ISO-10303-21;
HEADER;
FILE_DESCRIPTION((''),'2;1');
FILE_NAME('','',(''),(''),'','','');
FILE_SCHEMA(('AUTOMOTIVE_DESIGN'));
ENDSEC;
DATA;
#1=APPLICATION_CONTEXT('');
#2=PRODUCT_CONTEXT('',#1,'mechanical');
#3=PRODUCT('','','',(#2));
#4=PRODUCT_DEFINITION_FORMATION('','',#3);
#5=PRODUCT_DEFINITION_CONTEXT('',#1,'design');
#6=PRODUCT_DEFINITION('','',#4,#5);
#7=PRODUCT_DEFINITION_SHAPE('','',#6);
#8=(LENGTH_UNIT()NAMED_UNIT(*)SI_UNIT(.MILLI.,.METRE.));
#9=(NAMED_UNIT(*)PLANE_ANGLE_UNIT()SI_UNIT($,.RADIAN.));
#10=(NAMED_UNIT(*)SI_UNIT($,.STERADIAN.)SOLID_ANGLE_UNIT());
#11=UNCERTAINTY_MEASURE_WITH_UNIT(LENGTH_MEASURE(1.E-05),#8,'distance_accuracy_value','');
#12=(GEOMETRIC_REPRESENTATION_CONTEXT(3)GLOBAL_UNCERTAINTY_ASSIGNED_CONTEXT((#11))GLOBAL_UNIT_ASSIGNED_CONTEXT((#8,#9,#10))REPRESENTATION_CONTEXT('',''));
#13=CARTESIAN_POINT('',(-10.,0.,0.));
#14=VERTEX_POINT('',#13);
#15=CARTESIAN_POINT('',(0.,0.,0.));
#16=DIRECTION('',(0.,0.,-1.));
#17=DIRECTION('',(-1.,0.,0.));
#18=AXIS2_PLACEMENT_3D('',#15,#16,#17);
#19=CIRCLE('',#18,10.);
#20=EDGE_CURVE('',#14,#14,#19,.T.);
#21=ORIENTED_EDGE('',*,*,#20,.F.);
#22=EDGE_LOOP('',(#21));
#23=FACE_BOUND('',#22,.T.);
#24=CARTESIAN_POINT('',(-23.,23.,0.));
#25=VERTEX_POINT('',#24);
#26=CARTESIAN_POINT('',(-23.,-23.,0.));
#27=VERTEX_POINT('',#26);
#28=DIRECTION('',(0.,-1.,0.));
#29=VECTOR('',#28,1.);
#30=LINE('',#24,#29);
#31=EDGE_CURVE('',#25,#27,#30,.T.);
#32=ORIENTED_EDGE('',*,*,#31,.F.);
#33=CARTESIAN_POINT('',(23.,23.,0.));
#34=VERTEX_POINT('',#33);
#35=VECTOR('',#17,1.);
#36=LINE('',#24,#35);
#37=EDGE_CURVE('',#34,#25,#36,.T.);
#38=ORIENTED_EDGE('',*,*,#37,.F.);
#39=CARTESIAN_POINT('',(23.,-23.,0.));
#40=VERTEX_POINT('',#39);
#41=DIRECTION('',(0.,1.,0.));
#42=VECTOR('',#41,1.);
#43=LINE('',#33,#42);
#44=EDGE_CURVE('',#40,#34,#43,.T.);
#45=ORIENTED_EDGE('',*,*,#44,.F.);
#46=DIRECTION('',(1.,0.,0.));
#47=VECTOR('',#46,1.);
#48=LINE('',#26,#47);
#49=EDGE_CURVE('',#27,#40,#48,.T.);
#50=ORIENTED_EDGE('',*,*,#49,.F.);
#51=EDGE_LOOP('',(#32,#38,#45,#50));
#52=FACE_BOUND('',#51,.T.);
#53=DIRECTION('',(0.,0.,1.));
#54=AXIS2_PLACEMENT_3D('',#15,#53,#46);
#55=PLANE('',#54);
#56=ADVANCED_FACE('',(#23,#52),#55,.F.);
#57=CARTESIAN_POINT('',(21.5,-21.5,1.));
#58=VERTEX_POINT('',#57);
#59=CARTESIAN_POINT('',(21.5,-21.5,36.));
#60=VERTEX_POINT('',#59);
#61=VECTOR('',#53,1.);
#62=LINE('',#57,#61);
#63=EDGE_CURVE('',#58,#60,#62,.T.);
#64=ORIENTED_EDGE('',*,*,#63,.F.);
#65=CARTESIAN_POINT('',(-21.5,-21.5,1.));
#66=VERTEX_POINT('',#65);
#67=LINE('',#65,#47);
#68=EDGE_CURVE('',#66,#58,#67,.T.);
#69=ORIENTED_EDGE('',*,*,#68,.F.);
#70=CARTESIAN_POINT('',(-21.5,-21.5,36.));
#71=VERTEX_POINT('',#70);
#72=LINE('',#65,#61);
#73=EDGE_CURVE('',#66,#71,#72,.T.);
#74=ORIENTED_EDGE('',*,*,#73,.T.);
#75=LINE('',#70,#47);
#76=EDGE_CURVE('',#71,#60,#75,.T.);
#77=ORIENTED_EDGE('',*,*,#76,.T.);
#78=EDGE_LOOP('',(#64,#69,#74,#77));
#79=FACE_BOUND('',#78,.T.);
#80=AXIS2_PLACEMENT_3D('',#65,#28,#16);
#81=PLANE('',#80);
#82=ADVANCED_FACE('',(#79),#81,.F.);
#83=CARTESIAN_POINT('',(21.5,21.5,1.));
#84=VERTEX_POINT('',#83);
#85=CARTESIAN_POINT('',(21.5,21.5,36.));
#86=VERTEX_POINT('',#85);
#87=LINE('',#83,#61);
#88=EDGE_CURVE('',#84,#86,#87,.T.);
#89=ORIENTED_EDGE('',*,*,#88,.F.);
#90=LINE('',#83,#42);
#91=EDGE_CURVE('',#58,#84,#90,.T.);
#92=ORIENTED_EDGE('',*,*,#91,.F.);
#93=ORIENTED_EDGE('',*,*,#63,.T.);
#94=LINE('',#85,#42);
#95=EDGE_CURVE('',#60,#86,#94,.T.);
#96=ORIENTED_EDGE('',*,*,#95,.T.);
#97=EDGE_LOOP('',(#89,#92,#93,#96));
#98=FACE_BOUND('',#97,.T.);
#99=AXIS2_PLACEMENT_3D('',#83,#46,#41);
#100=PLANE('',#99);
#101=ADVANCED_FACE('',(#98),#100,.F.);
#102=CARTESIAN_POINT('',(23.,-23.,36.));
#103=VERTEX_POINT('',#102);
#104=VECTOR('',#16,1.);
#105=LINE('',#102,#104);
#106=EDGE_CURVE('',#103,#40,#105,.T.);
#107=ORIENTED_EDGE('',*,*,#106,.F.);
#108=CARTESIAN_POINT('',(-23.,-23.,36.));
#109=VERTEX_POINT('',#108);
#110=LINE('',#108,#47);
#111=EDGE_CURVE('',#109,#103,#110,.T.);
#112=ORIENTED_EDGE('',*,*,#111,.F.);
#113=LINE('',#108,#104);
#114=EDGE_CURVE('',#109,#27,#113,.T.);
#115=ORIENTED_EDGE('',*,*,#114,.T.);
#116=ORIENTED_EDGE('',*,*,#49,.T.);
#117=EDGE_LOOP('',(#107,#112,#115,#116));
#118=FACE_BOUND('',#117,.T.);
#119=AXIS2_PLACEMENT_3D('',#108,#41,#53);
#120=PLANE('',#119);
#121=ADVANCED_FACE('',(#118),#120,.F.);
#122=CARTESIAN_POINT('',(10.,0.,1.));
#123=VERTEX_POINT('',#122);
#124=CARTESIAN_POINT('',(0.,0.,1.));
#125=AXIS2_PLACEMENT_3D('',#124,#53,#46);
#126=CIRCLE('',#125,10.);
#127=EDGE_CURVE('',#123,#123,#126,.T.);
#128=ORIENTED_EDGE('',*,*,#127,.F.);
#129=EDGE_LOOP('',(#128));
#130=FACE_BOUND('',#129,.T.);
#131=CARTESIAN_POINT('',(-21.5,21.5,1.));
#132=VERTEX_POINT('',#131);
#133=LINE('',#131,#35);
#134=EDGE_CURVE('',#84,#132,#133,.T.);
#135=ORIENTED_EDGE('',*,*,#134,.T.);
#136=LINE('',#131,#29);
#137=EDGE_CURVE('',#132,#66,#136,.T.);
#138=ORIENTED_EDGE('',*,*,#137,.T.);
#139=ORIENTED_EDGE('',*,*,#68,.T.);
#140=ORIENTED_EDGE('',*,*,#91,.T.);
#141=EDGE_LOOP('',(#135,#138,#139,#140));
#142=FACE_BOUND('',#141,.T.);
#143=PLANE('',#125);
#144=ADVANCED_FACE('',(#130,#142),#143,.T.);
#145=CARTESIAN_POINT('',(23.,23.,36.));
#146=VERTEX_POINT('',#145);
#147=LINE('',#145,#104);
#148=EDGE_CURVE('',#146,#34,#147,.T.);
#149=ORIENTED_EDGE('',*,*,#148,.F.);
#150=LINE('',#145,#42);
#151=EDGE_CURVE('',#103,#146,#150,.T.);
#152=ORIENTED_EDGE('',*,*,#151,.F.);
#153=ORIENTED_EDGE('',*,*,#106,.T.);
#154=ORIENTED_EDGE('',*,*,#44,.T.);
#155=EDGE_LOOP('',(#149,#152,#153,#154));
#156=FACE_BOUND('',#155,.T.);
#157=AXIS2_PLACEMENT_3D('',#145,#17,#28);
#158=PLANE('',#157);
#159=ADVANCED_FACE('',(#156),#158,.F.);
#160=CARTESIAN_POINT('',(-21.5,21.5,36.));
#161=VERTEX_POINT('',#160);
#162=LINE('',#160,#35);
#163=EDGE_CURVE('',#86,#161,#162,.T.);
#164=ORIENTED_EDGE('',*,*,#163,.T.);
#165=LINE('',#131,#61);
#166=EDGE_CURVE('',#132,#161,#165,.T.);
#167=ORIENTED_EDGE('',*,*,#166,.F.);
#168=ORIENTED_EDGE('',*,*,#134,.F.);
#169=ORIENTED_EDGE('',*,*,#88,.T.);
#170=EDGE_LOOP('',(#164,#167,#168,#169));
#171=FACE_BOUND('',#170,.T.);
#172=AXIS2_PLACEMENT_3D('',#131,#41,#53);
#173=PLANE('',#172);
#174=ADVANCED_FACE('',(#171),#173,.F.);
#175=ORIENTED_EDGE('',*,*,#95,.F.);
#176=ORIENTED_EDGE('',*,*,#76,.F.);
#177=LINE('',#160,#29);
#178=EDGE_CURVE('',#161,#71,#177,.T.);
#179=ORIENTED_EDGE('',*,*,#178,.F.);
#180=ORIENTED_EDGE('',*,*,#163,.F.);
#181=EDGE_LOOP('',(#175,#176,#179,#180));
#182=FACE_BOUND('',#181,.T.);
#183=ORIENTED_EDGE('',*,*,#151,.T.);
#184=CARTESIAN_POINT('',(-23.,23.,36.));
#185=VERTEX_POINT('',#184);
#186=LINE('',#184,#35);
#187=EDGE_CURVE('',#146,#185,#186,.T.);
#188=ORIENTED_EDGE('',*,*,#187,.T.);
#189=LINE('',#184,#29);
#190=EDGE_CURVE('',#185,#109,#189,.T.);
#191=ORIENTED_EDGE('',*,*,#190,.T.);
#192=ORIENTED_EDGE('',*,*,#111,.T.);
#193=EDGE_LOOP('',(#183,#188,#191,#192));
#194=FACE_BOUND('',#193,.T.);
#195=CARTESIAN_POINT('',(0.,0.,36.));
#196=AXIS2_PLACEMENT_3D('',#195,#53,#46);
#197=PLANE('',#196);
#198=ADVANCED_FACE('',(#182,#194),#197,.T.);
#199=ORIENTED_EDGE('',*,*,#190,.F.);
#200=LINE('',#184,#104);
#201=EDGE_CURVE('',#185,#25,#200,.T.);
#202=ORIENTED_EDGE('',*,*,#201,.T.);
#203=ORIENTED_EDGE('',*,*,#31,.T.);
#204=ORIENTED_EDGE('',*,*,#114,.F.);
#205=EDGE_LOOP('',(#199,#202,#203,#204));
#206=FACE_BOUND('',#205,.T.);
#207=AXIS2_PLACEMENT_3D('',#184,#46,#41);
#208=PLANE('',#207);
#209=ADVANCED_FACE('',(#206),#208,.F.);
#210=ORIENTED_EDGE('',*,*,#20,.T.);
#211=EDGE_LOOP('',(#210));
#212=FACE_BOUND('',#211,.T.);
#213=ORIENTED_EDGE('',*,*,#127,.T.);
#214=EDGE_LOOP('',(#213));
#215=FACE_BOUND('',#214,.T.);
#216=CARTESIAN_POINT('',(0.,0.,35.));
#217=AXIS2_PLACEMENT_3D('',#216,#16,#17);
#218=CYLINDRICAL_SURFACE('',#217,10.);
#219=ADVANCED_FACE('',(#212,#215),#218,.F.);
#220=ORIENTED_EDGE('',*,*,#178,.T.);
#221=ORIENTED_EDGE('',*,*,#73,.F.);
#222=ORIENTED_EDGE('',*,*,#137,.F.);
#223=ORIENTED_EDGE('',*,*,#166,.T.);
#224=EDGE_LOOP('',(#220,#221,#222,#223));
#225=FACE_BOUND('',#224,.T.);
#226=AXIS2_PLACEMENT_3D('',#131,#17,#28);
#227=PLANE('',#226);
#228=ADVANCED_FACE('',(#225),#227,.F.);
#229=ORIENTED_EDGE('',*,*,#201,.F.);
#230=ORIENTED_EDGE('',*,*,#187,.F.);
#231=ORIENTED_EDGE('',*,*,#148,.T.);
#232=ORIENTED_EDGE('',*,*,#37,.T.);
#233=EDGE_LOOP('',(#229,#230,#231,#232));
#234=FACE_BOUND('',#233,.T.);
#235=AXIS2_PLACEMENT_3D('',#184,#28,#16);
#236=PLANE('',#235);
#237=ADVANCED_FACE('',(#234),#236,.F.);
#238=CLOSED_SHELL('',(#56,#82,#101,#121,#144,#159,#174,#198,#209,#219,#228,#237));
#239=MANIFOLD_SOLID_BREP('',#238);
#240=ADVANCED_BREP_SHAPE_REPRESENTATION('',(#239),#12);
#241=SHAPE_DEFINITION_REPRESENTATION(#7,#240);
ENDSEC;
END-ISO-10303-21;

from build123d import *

# Parameters (mm, degrees)
ESQUISSE1_W             = 46
ESQUISSE1_H             = 46
BOSS_EXTRU_1_DEPTH      = 36
ESQUISSE2_W             = 43
ESQUISSE2_H             = 43
ENL_V_MAT_EXTRU_1_DEPTH = 35
ESQUISSE3_R             = 10
ENL_V_MAT_EXTRU_2_DEPTH = 35


with BuildPart() as part:
    # Esquisse1 → Boss.-Extru.1 (new body)
    with BuildSketch(Plane.XY):
        Rectangle(ESQUISSE1_W, ESQUISSE1_H)
    extrude(amount=BOSS_EXTRU_1_DEPTH)

    # Esquisse2 → Enlèv. mat.-Extru.1 (cut)
    with BuildSketch(Plane.XY.offset(36)):
        Rectangle(ESQUISSE2_W, ESQUISSE2_H)
    extrude(amount=-ENL_V_MAT_EXTRU_1_DEPTH, mode=Mode.SUBTRACT)

    # Esquisse3 → Enlèv. mat.-Extru.2 (cut)
    with BuildSketch(Plane(origin=(0, 0, 0), x_dir=(-1, 0, 0), z_dir=(0, 0, -1))):
        Circle(ESQUISSE3_R)
    extrude(amount=-ENL_V_MAT_EXTRU_2_DEPTH, mode=Mode.SUBTRACT)


solid = part.part
